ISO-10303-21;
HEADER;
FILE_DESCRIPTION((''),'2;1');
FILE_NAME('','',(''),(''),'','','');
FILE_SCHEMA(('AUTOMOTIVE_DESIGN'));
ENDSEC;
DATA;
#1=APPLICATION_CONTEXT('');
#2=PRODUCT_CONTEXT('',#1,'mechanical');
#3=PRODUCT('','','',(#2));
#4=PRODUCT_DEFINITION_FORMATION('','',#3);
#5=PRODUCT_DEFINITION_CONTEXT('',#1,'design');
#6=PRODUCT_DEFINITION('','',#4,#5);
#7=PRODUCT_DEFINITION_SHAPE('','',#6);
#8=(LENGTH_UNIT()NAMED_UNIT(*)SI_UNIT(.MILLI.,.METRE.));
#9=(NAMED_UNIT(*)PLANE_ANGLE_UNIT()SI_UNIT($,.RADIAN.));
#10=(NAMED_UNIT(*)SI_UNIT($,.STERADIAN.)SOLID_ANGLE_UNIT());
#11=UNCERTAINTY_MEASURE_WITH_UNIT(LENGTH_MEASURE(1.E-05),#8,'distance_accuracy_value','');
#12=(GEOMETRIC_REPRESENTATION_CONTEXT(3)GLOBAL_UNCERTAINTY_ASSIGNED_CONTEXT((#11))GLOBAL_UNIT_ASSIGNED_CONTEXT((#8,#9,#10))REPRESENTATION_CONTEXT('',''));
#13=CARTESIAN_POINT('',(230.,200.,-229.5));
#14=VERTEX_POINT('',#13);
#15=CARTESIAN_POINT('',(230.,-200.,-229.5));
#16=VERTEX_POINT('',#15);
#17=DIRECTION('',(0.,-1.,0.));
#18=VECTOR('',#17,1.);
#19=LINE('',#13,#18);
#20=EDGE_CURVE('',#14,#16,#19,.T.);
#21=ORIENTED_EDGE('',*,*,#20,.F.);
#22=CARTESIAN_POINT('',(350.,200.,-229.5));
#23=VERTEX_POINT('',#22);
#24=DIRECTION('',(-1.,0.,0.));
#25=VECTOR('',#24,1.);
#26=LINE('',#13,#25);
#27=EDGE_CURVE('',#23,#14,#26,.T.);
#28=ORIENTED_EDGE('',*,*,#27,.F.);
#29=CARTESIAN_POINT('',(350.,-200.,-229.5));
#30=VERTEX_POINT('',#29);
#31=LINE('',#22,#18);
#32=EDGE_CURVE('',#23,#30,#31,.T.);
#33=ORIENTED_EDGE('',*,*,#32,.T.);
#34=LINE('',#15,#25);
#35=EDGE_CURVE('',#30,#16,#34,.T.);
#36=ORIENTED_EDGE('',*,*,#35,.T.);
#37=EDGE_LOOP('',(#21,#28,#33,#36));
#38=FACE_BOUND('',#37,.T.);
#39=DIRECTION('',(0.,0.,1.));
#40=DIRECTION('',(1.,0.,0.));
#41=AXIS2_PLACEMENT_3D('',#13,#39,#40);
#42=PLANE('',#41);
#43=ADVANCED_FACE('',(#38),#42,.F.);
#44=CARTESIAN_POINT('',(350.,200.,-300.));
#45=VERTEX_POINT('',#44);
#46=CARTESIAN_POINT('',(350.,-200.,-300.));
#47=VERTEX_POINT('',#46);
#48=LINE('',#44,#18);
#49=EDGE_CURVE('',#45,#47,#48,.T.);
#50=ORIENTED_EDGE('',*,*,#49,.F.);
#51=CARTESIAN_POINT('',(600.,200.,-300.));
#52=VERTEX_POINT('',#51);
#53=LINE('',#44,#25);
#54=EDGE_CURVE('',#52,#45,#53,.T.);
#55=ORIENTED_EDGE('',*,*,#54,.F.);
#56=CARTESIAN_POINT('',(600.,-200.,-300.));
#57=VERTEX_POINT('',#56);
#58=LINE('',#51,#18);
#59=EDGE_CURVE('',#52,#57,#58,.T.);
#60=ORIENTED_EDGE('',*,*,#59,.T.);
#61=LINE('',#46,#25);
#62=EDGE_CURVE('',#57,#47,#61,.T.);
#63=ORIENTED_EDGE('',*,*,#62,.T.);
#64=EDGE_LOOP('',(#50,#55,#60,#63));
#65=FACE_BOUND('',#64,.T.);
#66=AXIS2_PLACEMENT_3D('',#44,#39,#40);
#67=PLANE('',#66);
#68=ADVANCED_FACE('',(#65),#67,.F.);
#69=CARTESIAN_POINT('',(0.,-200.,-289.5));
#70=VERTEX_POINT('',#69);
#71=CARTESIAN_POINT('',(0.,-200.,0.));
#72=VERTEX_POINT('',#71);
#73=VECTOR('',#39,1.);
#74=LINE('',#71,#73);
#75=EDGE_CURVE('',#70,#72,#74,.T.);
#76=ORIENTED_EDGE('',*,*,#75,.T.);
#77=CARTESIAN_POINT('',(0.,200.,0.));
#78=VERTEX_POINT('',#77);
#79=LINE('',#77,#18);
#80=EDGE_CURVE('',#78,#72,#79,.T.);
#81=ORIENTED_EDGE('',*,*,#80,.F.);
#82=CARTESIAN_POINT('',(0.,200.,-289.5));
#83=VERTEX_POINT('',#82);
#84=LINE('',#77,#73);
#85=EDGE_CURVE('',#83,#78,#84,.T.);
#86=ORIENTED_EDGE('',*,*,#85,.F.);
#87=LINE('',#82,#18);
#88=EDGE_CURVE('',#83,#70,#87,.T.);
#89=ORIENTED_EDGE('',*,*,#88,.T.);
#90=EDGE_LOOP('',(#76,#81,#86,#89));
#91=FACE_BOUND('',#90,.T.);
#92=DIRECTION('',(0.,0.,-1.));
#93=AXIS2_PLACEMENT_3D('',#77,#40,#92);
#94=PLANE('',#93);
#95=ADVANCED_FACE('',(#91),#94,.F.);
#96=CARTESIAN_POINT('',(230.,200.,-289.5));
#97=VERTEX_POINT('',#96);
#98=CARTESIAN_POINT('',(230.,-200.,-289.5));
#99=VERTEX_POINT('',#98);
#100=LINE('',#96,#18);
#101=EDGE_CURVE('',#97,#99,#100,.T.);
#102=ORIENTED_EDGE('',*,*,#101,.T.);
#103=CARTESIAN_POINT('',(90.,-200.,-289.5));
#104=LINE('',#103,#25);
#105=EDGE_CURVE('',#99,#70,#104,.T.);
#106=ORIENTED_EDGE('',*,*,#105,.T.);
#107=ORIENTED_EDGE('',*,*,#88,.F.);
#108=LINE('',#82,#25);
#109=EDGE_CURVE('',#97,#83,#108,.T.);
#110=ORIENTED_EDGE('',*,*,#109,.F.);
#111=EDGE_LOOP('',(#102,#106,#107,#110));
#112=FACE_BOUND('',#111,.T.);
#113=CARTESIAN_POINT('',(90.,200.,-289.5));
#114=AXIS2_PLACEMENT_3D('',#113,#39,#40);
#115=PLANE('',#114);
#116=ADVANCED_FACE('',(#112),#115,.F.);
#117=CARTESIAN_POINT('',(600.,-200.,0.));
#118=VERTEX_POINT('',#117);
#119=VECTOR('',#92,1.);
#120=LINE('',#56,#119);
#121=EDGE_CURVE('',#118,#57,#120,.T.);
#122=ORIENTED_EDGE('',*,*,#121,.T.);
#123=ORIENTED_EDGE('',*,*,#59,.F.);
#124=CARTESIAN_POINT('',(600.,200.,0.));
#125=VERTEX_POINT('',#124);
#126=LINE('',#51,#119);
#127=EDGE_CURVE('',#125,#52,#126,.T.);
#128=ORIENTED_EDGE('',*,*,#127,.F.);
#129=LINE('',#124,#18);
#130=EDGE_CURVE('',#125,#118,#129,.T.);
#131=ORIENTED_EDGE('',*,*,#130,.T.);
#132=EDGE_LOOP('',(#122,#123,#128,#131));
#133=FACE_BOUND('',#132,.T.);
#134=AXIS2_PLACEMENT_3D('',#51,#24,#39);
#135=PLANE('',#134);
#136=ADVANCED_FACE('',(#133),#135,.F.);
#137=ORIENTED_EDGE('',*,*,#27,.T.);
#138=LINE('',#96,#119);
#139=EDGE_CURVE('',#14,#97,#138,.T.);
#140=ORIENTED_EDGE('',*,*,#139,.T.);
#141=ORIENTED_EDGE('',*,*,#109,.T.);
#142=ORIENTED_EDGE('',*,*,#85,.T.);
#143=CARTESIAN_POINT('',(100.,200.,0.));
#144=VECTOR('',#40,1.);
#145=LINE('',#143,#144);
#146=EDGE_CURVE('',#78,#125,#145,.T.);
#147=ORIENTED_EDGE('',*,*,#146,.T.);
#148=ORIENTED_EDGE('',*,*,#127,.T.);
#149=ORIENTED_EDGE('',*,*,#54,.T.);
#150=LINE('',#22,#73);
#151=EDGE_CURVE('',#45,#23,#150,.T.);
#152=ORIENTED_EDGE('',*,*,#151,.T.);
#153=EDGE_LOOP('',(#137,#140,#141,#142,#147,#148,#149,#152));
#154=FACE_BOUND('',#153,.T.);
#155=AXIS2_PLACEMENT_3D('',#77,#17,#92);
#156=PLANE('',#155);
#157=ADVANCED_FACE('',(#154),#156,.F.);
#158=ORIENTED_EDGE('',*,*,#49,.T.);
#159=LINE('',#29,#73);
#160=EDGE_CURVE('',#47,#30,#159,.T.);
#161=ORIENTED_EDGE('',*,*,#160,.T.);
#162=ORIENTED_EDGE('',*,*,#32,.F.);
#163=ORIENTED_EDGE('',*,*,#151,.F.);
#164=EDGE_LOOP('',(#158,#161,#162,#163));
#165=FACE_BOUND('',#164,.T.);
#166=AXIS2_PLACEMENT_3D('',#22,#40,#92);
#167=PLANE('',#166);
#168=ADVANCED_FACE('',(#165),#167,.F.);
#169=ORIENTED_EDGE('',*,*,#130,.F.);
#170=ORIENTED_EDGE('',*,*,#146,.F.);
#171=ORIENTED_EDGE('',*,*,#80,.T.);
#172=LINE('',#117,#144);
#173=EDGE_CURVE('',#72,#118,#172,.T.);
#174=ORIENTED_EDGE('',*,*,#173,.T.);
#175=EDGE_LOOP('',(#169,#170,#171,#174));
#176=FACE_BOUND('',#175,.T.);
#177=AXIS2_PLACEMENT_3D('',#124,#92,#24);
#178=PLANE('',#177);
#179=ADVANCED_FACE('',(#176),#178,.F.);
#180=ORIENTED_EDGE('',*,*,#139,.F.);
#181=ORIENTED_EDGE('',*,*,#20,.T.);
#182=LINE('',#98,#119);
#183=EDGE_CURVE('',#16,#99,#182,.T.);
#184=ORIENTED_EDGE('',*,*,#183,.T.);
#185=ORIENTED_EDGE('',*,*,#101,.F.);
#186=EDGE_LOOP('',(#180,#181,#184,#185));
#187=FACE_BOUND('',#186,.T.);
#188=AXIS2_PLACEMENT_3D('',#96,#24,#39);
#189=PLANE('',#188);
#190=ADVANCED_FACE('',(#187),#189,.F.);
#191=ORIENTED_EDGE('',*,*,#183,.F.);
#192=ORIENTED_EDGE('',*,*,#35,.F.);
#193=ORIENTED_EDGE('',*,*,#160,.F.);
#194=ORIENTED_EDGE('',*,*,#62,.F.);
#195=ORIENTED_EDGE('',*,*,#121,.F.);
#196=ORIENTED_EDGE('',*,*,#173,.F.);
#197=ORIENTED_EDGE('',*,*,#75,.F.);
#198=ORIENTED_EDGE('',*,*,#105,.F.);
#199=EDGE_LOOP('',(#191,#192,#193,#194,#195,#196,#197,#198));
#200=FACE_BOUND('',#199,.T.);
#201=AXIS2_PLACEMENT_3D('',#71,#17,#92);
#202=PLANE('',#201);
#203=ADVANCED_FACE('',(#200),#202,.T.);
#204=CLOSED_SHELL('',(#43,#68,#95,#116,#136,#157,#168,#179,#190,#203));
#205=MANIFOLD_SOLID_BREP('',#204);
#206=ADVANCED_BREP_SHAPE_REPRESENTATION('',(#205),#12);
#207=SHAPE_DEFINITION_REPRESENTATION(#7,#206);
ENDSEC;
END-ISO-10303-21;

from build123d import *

# Parameters (mm, degrees)
EXTRUDE_1_DEPTH = 200


with BuildPart() as part:
    # Эскиз1 → Бобышка-Вытянуть1 (new, symmetric)
    with BuildSketch(Plane(origin=(0, 0, 0), x_dir=(1, 0, 0), z_dir=(0, 1, 0))):
        Polygon((90, 289.5), (230, 289.5), (230, 229.5), (350, 229.5), (350, 300), (600, 300), (600, 0), (100, 0), (0, 0), (0, 289.5), align=None)
    extrude(amount=EXTRUDE_1_DEPTH, both=True)


solid = part.part
